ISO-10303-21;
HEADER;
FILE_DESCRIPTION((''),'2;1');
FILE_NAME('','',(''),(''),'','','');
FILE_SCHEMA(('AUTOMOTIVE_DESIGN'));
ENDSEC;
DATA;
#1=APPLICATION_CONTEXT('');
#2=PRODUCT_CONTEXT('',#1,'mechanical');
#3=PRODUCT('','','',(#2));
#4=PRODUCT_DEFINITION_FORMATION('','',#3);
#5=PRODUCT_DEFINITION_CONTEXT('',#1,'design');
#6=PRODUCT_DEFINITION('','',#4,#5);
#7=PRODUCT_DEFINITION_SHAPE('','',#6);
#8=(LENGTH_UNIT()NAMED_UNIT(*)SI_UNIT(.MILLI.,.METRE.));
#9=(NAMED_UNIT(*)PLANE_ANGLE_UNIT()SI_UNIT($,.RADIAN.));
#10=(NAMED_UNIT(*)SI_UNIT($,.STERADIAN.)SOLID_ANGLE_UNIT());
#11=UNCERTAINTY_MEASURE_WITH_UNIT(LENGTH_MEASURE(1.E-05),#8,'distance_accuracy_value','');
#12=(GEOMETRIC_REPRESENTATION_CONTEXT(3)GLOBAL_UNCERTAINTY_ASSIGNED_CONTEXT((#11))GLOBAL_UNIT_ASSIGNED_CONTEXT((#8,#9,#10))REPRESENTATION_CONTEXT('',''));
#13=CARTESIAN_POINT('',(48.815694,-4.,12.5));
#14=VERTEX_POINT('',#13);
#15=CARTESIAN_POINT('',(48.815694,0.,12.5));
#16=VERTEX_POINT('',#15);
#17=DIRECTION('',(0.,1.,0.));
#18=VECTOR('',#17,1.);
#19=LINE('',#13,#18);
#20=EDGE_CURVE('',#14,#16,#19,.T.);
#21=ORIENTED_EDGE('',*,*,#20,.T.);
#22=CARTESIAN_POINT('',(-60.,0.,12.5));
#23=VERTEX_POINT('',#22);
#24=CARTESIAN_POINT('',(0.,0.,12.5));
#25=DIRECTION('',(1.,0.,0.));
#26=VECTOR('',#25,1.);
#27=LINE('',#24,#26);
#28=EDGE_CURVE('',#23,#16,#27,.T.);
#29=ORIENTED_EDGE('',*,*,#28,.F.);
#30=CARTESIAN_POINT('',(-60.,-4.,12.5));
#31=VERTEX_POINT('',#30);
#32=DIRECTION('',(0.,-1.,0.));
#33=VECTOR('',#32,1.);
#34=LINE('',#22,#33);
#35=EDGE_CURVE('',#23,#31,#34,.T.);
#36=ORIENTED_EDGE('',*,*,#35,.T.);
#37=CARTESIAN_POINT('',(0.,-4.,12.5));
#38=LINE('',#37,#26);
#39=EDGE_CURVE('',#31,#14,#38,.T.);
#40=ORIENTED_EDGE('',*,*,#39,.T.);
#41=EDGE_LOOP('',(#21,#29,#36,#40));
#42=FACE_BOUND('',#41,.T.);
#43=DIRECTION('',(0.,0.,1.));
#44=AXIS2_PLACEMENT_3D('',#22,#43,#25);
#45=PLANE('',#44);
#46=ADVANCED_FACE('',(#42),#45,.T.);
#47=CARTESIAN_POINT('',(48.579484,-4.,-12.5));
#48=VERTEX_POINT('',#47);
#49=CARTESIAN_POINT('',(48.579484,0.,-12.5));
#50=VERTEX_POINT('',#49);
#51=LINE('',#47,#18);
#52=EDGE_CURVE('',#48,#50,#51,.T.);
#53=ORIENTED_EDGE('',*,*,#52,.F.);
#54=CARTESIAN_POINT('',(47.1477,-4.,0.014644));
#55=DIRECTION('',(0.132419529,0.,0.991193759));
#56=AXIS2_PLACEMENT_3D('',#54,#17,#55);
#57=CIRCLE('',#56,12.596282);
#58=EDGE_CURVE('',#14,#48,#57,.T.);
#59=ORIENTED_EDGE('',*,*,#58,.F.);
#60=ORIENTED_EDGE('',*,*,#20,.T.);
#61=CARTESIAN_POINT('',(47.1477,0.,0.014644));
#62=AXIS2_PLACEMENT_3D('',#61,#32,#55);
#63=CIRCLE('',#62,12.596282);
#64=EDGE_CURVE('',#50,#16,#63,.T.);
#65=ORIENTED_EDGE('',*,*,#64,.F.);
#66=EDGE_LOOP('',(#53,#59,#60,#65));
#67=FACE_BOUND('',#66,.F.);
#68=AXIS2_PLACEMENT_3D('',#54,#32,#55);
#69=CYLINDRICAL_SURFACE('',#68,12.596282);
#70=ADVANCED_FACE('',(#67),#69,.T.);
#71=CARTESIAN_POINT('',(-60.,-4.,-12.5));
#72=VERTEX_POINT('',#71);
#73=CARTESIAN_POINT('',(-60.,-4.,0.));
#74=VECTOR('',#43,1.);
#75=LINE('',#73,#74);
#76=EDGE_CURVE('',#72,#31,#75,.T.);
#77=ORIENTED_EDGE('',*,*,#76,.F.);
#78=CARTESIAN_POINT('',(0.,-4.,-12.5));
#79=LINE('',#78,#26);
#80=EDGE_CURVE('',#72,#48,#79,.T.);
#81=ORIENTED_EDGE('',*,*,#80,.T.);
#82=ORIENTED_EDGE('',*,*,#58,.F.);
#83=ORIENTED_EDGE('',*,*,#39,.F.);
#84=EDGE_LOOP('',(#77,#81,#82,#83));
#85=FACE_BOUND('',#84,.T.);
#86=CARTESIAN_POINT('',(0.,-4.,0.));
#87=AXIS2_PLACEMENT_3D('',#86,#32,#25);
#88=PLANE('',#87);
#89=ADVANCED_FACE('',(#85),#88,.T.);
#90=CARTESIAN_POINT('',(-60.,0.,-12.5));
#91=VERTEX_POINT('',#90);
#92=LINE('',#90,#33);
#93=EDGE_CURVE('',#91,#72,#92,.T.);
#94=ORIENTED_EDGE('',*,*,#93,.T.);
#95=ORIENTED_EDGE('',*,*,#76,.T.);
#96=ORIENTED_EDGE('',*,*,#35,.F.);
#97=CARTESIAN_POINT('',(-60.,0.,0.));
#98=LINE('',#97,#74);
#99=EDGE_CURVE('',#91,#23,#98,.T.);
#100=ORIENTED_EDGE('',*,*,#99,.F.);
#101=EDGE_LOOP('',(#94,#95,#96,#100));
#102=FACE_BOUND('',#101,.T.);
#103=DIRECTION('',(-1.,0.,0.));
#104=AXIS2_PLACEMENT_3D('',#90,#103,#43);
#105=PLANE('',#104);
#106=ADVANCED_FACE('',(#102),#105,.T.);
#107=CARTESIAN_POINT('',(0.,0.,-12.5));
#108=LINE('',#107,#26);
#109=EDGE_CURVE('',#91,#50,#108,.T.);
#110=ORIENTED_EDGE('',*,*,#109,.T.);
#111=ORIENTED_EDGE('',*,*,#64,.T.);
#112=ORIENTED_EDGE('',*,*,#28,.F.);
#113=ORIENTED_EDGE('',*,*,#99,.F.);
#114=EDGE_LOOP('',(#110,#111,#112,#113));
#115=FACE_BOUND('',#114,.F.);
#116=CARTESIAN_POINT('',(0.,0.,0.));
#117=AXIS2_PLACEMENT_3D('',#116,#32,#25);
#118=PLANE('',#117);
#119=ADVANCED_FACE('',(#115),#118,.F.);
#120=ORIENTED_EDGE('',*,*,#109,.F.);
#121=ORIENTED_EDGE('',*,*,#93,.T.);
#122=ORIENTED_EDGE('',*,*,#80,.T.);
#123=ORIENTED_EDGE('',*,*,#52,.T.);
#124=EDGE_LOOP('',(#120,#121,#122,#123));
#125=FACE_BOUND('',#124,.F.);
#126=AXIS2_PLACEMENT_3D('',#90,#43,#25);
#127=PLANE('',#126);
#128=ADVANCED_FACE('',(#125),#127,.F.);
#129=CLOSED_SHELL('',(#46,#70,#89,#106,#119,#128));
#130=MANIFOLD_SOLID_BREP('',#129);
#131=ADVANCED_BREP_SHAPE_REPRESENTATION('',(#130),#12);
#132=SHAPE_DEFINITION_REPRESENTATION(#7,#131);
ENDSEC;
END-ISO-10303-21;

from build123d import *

# Parameters (mm, degrees)
F0_W     = 120
F0_H     = 25
F1_DEPTH = 4
F3_DEPTH = 25


with BuildPart() as f1:
    # F0 (on Front) → F1 (new body)
    with BuildSketch(Plane.XZ):
        Rectangle(F0_W, F0_H)
    extrude(amount=F1_DEPTH)

    # F2 (on face) → F3 (cut)
    with BuildSketch(Plane.XZ.offset(4)):
        with BuildLine():
            ThreePointArc((48.815694, 12.5), (59.74342, -0.104365), (48.579484, -12.5))
            Line((48.579484, -12.5), (60, -12.5))
            Line((60, -12.5), (60, 12.5))
            Line((60, 12.5), (48.815694, 12.5))
        make_face()
    extrude(amount=-F3_DEPTH, mode=Mode.SUBTRACT)


solid = f1.part
